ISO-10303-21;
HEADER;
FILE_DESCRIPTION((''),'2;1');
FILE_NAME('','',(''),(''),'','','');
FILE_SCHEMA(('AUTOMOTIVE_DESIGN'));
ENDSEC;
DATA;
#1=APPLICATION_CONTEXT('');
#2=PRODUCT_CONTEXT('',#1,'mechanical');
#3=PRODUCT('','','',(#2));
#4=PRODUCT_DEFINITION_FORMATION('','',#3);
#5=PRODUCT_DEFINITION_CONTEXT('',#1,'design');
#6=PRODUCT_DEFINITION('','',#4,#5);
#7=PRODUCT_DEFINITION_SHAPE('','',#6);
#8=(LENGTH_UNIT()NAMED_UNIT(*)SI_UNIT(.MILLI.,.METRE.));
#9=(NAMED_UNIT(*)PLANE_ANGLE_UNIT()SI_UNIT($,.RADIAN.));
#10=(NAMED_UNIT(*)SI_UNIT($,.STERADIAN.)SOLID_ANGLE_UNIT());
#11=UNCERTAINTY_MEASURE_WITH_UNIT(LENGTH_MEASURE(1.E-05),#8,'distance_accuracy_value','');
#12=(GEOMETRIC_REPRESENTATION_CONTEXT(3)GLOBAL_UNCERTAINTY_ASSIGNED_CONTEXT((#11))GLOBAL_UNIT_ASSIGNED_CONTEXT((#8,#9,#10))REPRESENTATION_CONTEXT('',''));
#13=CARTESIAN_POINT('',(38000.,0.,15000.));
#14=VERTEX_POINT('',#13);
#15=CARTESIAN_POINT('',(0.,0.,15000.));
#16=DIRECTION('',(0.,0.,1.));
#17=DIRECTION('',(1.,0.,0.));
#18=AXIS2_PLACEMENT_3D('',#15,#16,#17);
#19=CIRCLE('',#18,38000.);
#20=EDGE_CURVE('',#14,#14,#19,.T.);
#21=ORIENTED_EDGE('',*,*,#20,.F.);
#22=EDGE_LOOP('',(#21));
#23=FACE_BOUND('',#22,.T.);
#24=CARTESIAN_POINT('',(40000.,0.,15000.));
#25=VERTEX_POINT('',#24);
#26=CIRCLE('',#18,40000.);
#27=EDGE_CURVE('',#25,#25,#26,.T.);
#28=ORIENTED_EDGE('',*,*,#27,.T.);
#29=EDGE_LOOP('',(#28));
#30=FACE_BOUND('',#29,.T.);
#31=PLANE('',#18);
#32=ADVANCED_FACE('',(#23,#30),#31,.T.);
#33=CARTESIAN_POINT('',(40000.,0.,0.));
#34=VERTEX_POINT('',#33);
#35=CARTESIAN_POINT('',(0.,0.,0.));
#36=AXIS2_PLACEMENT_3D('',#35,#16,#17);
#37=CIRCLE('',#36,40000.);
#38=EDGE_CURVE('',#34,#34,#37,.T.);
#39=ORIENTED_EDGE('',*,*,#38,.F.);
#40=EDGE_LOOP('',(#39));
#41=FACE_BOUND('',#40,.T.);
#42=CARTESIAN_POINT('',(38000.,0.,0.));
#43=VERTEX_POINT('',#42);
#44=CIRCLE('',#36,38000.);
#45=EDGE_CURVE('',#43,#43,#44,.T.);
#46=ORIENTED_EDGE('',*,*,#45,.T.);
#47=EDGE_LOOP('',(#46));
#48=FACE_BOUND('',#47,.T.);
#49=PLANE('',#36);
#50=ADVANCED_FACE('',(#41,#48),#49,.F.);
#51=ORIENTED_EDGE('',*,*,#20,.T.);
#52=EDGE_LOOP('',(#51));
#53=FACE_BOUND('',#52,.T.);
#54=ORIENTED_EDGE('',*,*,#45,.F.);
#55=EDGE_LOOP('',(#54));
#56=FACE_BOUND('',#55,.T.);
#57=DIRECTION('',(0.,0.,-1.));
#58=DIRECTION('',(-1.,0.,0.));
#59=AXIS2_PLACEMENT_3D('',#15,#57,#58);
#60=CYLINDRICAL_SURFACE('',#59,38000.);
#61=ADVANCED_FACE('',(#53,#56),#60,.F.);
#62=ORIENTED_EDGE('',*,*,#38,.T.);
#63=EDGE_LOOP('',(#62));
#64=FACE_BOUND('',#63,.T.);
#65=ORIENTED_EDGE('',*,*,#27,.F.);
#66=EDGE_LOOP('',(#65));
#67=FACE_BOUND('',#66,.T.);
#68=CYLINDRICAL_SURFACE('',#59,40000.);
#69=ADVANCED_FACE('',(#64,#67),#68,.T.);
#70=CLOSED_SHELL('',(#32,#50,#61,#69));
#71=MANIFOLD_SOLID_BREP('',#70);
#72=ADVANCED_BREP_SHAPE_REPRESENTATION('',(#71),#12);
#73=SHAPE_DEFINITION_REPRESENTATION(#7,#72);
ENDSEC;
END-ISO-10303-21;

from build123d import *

# Parameters (mm, degrees)
SKETCH2_R           = 40000
SKETCH2_R_2         = 38000
BOSS_EXTRUDE2_DEPTH = 15000


with BuildPart() as part:
    # Sketch2 → Boss-Extrude2 (new body)
    with BuildSketch(Plane.XY):
        Circle(SKETCH2_R)
        Circle(SKETCH2_R_2, mode=Mode.SUBTRACT)
    extrude(amount=BOSS_EXTRUDE2_DEPTH)


solid = part.part
